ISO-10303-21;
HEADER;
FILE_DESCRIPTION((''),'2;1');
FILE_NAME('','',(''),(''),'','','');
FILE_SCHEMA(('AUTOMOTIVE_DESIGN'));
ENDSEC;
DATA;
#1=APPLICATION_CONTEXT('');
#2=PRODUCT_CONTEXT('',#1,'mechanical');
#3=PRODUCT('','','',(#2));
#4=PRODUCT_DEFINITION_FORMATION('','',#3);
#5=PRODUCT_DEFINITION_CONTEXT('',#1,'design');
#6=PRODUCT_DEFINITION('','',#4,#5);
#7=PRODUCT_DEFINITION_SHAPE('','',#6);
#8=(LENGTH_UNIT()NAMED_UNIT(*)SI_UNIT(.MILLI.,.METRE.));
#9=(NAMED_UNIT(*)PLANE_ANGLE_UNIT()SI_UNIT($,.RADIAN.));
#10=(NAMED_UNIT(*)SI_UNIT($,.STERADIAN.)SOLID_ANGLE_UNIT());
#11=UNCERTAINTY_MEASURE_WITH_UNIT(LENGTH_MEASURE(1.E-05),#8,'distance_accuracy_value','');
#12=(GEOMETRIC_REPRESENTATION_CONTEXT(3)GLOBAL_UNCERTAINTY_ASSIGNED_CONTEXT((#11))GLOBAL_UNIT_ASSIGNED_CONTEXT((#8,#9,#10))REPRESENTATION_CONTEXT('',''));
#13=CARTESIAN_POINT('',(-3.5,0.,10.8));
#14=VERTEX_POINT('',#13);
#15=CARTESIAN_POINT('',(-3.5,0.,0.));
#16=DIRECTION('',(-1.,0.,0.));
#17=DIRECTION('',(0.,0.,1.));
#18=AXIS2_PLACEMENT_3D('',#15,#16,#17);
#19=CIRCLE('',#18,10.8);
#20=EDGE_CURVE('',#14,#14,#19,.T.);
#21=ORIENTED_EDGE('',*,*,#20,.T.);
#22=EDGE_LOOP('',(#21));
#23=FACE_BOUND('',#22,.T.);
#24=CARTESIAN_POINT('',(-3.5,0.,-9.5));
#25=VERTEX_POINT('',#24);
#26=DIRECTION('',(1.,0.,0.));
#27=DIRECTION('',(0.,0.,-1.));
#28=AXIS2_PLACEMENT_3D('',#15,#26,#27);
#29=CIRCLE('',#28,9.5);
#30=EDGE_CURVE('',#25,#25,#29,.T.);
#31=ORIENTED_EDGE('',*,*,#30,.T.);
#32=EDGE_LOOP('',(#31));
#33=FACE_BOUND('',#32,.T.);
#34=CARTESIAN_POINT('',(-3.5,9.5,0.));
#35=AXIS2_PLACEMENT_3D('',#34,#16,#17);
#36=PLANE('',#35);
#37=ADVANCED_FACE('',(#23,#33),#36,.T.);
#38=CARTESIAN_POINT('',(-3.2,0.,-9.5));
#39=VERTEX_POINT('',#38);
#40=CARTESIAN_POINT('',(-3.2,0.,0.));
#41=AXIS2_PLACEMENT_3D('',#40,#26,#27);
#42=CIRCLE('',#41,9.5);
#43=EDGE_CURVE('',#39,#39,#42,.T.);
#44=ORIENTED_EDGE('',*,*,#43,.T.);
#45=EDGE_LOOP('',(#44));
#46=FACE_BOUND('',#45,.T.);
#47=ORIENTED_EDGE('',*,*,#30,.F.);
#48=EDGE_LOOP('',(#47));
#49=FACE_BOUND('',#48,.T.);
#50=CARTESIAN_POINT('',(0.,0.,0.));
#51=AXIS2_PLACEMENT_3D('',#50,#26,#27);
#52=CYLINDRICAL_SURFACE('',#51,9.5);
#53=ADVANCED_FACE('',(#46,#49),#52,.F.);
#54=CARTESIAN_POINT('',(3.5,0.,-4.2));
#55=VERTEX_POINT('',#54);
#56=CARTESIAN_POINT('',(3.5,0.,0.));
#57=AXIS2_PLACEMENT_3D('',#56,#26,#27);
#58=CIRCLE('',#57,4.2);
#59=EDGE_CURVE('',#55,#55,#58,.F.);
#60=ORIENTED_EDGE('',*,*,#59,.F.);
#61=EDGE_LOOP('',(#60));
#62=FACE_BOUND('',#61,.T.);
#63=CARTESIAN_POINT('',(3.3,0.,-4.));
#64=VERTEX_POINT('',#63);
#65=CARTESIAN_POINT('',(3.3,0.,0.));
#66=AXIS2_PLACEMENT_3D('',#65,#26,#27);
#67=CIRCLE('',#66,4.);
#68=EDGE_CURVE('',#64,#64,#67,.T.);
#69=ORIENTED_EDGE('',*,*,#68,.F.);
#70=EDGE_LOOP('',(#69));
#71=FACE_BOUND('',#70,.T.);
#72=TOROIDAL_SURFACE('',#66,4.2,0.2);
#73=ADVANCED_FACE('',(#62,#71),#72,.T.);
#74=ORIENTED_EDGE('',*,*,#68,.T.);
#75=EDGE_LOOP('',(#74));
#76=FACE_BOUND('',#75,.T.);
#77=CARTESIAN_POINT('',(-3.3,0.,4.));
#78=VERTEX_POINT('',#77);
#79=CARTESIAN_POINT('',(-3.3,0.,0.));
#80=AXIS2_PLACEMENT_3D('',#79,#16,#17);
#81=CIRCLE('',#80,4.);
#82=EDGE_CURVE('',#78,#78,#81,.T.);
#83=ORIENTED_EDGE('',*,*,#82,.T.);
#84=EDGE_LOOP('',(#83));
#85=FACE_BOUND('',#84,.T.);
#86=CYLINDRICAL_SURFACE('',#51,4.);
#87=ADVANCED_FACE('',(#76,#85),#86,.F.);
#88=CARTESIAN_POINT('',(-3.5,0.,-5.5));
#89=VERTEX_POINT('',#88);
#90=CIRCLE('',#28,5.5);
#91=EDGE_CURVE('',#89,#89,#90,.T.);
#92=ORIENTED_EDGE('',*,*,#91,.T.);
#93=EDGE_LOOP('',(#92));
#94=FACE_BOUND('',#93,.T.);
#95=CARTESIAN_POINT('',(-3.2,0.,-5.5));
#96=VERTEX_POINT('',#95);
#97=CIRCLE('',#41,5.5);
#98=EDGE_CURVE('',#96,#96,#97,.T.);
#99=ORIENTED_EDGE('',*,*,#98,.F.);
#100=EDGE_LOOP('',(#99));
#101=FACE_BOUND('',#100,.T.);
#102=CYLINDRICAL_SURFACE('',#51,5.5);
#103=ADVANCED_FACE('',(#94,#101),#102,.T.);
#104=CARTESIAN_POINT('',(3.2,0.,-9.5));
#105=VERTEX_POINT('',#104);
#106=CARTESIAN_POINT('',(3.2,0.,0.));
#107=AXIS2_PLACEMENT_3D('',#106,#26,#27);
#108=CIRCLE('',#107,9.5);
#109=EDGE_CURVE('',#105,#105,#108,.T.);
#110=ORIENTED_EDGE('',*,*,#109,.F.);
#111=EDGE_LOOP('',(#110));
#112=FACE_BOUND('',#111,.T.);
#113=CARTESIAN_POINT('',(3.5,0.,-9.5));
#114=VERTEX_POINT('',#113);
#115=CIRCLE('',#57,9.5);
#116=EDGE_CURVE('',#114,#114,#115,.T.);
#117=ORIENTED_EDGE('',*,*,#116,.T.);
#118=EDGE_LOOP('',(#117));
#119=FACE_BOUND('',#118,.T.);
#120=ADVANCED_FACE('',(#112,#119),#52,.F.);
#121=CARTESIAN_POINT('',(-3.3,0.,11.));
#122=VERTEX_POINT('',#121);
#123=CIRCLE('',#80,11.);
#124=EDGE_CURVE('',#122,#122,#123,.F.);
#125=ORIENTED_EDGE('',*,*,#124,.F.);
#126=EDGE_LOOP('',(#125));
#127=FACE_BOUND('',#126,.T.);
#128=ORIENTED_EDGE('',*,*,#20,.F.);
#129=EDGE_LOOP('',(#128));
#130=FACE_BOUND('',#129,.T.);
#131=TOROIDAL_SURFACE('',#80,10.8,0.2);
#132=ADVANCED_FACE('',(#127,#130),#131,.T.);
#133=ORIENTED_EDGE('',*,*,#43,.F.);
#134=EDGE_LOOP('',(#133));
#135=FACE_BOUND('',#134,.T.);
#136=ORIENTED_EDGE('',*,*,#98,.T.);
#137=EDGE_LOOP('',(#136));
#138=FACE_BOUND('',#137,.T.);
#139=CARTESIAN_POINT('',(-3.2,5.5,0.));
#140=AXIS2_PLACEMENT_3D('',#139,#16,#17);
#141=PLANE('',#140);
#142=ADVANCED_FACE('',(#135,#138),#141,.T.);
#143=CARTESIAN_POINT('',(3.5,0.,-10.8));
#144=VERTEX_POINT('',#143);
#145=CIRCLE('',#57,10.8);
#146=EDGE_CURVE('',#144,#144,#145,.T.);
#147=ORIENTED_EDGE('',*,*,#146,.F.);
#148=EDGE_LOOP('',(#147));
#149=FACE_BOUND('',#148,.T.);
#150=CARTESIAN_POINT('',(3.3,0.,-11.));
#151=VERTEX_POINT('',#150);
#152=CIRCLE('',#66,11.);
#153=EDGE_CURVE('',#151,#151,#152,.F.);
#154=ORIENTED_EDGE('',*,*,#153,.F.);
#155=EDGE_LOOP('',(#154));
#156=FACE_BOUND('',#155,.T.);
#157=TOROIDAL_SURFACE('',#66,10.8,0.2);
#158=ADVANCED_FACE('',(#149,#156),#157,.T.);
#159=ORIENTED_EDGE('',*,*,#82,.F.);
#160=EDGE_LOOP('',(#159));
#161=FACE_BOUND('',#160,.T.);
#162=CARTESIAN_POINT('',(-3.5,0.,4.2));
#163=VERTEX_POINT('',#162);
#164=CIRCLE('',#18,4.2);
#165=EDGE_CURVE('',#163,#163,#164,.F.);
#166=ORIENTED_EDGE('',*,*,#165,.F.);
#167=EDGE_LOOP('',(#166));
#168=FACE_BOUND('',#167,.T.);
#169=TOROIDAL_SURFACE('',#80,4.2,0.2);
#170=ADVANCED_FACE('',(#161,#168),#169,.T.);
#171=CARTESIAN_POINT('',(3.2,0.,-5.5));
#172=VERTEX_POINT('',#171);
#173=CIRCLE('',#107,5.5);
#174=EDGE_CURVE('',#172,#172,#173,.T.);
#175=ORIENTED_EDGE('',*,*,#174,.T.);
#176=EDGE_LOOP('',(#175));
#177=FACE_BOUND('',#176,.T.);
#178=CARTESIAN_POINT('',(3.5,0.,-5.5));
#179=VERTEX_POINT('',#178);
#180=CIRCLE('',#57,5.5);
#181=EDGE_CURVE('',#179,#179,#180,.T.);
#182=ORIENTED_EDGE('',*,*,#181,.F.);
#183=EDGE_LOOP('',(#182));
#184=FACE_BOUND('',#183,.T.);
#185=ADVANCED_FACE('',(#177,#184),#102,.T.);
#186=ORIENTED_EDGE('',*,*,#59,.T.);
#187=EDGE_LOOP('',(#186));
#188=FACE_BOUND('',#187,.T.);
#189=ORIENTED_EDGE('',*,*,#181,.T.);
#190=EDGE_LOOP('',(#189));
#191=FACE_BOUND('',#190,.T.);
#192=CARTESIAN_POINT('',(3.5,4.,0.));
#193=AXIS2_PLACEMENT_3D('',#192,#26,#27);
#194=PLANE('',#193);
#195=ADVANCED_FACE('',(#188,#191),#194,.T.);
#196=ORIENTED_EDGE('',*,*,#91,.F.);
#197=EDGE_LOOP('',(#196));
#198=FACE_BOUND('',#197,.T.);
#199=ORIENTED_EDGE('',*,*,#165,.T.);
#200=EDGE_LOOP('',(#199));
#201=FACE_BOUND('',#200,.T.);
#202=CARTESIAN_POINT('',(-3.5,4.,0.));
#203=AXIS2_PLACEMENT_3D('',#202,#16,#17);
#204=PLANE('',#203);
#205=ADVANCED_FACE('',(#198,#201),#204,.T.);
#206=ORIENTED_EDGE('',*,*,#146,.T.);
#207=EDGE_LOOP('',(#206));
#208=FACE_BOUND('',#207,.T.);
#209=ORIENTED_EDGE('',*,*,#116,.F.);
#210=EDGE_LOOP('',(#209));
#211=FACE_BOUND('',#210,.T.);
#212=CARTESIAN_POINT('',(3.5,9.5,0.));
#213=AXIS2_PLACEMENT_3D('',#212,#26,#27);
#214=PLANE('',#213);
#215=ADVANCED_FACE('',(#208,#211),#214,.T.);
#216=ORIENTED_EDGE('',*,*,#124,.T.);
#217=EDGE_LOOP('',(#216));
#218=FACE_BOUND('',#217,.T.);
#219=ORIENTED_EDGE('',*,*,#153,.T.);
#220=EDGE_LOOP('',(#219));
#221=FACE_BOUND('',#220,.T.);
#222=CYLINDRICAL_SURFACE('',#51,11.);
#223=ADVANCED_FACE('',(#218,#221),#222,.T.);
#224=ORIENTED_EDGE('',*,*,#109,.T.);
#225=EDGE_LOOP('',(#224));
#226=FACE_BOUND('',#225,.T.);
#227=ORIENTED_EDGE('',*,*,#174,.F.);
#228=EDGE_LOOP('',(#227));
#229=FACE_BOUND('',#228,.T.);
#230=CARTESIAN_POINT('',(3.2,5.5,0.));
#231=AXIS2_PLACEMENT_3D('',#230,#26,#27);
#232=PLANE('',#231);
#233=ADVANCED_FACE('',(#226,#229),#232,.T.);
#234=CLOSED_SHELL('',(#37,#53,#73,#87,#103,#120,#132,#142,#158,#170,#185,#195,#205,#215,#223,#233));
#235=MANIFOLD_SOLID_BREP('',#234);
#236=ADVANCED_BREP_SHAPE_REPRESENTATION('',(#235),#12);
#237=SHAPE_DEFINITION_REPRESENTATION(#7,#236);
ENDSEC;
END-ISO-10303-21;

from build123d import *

# Parameters (mm, degrees)
FILLET1_R = 0.2


with BuildPart() as part:
    # Sketch1 → Revolve1 (revolve)
    with BuildSketch(Plane.XY, mode=Mode.PRIVATE) as revolve1_sk:
        Polygon((3.5, 4), (-3.5, 4), (-3.5, 5.5), (-3.2, 5.5), (-3.2, 9.5), (-3.5, 9.5), (-3.5, 11), (3.5, 11), (3.5, 9.5), (3.2, 9.5), (3.2, 5.5), (3.5, 5.5), align=None)
    revolve(revolve1_sk.sketch.rotate(Axis((0, 0, 0), (-1, 0, 0)), 90), axis=Axis((0, 0, 0), (-1, 0, 0)))

    # Fillet1
    fillet1_edges = [part.edges().sort_by_distance(p)[0] for p in [
        (3.5, 0, 11),
        (-3.5, 0, 11),
        (-3.5, 0, 4),
        (3.5, 0, 4),
    ]]
    fillet(fillet1_edges, radius=FILLET1_R)


solid = part.part
